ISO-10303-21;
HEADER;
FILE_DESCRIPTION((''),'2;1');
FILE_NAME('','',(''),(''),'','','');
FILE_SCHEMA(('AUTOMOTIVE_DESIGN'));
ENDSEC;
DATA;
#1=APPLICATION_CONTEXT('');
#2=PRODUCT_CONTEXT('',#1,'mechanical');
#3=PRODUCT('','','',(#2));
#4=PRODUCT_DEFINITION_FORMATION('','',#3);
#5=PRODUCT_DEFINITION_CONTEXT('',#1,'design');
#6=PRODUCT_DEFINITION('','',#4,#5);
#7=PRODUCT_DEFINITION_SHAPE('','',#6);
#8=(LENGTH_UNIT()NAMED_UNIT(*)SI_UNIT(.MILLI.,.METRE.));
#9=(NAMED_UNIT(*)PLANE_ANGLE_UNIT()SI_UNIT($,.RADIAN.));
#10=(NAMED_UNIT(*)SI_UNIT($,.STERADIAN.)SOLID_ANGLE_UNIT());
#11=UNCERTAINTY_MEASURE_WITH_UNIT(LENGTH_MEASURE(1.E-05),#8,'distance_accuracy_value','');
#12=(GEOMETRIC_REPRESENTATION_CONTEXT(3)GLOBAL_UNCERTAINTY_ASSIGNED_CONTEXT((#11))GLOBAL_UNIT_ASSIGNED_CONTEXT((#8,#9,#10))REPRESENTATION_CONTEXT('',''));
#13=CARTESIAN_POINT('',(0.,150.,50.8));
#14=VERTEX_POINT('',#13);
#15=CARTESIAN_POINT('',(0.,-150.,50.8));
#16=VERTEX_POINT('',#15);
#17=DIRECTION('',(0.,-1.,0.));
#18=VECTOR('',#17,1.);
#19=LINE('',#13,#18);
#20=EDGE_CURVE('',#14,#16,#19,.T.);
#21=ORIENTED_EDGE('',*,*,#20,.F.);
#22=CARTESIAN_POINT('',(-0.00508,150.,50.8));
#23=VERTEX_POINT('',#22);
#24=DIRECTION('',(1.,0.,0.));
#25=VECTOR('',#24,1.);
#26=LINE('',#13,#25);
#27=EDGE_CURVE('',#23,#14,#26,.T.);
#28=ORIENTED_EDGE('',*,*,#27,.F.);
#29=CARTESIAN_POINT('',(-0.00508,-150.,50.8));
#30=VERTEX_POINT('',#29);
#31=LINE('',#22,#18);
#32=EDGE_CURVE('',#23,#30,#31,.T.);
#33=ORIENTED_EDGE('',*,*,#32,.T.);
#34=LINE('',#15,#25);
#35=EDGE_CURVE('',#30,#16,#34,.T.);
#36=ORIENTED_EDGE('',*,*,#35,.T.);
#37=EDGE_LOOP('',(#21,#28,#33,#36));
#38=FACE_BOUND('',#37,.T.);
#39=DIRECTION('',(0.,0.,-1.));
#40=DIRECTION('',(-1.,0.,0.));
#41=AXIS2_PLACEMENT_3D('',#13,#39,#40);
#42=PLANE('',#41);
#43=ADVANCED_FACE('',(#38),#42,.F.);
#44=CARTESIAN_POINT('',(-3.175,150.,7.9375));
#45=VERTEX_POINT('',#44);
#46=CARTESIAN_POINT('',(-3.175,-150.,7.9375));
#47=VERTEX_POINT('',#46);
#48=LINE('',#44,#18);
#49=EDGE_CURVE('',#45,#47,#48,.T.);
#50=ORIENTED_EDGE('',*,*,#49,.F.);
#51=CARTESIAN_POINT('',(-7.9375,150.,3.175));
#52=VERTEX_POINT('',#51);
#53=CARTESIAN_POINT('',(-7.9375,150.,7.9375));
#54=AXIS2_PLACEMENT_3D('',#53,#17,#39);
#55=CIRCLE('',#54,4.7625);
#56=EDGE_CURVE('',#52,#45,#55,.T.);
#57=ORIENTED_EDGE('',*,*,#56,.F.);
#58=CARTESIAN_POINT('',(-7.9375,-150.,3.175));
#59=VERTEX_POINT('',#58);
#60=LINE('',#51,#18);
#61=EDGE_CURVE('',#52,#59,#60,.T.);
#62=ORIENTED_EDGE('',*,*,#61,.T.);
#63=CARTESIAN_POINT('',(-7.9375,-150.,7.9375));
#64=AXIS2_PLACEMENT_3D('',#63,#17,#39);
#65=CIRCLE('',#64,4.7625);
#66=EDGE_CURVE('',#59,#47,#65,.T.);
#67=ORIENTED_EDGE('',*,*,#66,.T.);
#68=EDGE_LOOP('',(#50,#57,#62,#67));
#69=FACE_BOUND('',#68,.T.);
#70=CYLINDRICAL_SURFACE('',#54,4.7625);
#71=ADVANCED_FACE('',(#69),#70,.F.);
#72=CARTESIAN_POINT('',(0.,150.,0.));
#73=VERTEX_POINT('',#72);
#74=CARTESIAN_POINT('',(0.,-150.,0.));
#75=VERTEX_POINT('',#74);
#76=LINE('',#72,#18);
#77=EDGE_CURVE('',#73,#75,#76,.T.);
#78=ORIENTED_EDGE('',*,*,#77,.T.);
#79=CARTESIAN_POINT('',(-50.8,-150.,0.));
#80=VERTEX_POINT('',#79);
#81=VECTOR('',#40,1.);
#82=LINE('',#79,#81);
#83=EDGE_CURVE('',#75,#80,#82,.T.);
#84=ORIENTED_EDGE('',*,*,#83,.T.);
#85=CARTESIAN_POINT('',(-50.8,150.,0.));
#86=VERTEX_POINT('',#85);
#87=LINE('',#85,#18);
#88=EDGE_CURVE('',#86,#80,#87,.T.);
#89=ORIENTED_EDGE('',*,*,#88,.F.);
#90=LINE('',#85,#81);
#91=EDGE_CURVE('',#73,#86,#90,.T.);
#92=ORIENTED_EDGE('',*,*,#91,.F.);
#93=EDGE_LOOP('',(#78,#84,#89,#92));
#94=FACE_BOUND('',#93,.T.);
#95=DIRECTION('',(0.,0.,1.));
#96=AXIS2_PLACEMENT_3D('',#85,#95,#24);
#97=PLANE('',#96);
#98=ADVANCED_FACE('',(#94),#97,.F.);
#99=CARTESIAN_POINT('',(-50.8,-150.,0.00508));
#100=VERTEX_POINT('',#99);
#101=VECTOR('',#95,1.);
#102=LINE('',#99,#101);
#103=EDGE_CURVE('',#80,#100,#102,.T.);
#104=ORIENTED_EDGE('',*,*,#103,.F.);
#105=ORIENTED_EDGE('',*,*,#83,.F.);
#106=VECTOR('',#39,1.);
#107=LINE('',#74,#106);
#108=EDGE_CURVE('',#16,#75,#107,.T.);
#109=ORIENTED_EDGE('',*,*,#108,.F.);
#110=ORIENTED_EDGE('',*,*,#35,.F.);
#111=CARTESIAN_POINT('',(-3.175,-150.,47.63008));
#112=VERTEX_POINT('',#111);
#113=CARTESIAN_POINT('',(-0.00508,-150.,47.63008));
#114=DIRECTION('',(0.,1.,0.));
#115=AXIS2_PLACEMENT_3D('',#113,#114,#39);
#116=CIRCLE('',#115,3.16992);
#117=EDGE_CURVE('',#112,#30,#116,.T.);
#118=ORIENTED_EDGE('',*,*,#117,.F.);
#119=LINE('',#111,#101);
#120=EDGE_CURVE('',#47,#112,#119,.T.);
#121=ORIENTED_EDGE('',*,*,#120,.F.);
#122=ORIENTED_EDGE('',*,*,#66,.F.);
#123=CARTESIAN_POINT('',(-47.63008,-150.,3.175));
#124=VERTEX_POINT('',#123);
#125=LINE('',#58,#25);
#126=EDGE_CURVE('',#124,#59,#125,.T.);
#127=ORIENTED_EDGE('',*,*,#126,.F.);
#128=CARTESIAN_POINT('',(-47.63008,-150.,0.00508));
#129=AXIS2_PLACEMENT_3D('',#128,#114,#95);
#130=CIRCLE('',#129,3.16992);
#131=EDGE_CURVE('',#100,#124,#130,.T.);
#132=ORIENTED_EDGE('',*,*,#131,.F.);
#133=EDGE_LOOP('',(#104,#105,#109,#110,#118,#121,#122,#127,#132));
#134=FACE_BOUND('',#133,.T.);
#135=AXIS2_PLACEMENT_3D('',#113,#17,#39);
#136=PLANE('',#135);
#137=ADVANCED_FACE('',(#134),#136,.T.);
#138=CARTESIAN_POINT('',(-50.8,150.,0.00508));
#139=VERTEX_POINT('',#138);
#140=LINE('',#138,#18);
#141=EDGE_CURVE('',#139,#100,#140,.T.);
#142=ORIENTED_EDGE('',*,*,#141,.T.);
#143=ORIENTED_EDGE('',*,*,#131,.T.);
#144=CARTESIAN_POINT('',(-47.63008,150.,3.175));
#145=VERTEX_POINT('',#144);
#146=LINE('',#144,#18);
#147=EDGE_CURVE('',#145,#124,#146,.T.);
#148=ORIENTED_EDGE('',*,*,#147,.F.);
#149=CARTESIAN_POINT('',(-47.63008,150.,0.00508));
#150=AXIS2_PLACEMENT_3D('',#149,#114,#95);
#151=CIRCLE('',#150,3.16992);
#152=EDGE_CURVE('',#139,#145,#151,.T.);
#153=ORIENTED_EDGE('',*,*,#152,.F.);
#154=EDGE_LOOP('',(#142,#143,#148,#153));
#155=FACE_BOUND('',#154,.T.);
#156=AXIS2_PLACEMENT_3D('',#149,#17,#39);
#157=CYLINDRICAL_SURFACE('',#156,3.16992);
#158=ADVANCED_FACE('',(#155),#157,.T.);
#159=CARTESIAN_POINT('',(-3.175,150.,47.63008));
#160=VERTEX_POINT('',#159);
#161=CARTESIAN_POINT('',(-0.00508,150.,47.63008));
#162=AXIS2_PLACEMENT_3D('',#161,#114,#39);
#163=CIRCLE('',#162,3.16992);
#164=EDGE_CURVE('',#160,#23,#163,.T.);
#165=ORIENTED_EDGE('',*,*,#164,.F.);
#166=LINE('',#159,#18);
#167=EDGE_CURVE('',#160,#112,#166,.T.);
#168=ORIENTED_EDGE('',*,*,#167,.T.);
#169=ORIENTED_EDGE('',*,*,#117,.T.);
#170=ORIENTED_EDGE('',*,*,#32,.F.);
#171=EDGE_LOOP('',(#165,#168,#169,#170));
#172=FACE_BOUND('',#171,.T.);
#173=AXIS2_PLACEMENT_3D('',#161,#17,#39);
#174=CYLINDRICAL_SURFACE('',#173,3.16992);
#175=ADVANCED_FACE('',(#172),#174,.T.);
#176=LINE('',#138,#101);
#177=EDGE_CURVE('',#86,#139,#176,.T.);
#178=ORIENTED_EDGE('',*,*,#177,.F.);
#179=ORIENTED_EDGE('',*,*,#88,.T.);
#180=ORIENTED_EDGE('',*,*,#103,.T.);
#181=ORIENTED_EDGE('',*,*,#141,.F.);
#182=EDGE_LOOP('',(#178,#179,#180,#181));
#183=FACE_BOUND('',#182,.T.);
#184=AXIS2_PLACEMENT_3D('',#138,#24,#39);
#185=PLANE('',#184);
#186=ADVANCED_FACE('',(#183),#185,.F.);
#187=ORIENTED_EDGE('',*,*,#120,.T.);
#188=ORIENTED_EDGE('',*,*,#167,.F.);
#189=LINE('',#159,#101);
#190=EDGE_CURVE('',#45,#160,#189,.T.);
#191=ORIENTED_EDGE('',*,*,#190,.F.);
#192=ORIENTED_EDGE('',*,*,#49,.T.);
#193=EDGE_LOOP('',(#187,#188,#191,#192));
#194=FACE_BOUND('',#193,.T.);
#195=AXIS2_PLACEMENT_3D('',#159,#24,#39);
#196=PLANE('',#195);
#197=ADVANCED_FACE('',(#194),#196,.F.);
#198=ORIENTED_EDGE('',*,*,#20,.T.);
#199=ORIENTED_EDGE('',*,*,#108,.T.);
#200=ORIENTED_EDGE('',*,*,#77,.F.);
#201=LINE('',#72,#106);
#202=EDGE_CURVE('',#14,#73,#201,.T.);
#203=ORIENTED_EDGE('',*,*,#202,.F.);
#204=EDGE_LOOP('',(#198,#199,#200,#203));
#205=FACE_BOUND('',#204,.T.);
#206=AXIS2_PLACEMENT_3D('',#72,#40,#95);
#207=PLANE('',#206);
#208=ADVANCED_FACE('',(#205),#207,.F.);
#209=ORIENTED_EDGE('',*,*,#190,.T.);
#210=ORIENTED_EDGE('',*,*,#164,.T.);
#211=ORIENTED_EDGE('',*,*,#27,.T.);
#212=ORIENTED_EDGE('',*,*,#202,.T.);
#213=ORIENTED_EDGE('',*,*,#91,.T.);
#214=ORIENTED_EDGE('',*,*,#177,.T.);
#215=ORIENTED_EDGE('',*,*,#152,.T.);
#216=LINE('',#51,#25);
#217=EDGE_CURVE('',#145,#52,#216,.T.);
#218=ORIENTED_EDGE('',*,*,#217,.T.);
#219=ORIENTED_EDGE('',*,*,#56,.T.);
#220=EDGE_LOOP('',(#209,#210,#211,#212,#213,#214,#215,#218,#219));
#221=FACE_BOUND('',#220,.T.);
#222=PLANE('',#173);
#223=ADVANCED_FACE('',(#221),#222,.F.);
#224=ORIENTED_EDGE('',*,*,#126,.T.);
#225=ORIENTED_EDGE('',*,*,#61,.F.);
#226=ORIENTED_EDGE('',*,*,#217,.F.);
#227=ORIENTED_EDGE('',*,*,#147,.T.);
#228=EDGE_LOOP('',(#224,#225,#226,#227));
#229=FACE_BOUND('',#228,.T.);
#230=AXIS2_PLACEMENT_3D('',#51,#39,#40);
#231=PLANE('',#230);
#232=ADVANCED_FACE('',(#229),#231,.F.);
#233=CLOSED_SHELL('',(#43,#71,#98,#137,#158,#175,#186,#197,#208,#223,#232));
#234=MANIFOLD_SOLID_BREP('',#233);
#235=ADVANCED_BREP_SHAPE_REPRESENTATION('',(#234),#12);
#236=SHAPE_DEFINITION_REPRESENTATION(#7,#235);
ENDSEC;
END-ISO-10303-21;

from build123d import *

# Parameters (mm, degrees)
HIERRO_ANGULAR_2_X_2_X_0_125_1_DEPTH = 300


with BuildPart() as part:
    # Sketch11 → Hierro angular 2 X 2 X 0.125(1) (new body)
    with BuildSketch(Plane(origin=(0, -150, 0), x_dir=(-1, 0, 0), z_dir=(0, 1, 0))):
        with BuildLine():
            Line((0, 0), (0, 50.8))
            Line((0, 50.8), (0.00508, 50.8))
            ThreePointArc((0.00508, 50.8), (2.246551928, 49.871551928), (3.175, 47.63008))
            Line((3.175, 47.63008), (3.175, 7.9375))
            ThreePointArc((3.175, 7.9375), (4.569903955, 4.569903955), (7.9375, 3.175))
            Line((7.9375, 3.175), (47.63008, 3.175))
            ThreePointArc((47.63008, 3.175), (49.871551928, 2.246551928), (50.8, 0.00508))
            Line((50.8, 0.00508), (50.8, 0))
            Line((50.8, 0), (0, 0))
        make_face()
    extrude(amount=HIERRO_ANGULAR_2_X_2_X_0_125_1_DEPTH)


solid = part.part
